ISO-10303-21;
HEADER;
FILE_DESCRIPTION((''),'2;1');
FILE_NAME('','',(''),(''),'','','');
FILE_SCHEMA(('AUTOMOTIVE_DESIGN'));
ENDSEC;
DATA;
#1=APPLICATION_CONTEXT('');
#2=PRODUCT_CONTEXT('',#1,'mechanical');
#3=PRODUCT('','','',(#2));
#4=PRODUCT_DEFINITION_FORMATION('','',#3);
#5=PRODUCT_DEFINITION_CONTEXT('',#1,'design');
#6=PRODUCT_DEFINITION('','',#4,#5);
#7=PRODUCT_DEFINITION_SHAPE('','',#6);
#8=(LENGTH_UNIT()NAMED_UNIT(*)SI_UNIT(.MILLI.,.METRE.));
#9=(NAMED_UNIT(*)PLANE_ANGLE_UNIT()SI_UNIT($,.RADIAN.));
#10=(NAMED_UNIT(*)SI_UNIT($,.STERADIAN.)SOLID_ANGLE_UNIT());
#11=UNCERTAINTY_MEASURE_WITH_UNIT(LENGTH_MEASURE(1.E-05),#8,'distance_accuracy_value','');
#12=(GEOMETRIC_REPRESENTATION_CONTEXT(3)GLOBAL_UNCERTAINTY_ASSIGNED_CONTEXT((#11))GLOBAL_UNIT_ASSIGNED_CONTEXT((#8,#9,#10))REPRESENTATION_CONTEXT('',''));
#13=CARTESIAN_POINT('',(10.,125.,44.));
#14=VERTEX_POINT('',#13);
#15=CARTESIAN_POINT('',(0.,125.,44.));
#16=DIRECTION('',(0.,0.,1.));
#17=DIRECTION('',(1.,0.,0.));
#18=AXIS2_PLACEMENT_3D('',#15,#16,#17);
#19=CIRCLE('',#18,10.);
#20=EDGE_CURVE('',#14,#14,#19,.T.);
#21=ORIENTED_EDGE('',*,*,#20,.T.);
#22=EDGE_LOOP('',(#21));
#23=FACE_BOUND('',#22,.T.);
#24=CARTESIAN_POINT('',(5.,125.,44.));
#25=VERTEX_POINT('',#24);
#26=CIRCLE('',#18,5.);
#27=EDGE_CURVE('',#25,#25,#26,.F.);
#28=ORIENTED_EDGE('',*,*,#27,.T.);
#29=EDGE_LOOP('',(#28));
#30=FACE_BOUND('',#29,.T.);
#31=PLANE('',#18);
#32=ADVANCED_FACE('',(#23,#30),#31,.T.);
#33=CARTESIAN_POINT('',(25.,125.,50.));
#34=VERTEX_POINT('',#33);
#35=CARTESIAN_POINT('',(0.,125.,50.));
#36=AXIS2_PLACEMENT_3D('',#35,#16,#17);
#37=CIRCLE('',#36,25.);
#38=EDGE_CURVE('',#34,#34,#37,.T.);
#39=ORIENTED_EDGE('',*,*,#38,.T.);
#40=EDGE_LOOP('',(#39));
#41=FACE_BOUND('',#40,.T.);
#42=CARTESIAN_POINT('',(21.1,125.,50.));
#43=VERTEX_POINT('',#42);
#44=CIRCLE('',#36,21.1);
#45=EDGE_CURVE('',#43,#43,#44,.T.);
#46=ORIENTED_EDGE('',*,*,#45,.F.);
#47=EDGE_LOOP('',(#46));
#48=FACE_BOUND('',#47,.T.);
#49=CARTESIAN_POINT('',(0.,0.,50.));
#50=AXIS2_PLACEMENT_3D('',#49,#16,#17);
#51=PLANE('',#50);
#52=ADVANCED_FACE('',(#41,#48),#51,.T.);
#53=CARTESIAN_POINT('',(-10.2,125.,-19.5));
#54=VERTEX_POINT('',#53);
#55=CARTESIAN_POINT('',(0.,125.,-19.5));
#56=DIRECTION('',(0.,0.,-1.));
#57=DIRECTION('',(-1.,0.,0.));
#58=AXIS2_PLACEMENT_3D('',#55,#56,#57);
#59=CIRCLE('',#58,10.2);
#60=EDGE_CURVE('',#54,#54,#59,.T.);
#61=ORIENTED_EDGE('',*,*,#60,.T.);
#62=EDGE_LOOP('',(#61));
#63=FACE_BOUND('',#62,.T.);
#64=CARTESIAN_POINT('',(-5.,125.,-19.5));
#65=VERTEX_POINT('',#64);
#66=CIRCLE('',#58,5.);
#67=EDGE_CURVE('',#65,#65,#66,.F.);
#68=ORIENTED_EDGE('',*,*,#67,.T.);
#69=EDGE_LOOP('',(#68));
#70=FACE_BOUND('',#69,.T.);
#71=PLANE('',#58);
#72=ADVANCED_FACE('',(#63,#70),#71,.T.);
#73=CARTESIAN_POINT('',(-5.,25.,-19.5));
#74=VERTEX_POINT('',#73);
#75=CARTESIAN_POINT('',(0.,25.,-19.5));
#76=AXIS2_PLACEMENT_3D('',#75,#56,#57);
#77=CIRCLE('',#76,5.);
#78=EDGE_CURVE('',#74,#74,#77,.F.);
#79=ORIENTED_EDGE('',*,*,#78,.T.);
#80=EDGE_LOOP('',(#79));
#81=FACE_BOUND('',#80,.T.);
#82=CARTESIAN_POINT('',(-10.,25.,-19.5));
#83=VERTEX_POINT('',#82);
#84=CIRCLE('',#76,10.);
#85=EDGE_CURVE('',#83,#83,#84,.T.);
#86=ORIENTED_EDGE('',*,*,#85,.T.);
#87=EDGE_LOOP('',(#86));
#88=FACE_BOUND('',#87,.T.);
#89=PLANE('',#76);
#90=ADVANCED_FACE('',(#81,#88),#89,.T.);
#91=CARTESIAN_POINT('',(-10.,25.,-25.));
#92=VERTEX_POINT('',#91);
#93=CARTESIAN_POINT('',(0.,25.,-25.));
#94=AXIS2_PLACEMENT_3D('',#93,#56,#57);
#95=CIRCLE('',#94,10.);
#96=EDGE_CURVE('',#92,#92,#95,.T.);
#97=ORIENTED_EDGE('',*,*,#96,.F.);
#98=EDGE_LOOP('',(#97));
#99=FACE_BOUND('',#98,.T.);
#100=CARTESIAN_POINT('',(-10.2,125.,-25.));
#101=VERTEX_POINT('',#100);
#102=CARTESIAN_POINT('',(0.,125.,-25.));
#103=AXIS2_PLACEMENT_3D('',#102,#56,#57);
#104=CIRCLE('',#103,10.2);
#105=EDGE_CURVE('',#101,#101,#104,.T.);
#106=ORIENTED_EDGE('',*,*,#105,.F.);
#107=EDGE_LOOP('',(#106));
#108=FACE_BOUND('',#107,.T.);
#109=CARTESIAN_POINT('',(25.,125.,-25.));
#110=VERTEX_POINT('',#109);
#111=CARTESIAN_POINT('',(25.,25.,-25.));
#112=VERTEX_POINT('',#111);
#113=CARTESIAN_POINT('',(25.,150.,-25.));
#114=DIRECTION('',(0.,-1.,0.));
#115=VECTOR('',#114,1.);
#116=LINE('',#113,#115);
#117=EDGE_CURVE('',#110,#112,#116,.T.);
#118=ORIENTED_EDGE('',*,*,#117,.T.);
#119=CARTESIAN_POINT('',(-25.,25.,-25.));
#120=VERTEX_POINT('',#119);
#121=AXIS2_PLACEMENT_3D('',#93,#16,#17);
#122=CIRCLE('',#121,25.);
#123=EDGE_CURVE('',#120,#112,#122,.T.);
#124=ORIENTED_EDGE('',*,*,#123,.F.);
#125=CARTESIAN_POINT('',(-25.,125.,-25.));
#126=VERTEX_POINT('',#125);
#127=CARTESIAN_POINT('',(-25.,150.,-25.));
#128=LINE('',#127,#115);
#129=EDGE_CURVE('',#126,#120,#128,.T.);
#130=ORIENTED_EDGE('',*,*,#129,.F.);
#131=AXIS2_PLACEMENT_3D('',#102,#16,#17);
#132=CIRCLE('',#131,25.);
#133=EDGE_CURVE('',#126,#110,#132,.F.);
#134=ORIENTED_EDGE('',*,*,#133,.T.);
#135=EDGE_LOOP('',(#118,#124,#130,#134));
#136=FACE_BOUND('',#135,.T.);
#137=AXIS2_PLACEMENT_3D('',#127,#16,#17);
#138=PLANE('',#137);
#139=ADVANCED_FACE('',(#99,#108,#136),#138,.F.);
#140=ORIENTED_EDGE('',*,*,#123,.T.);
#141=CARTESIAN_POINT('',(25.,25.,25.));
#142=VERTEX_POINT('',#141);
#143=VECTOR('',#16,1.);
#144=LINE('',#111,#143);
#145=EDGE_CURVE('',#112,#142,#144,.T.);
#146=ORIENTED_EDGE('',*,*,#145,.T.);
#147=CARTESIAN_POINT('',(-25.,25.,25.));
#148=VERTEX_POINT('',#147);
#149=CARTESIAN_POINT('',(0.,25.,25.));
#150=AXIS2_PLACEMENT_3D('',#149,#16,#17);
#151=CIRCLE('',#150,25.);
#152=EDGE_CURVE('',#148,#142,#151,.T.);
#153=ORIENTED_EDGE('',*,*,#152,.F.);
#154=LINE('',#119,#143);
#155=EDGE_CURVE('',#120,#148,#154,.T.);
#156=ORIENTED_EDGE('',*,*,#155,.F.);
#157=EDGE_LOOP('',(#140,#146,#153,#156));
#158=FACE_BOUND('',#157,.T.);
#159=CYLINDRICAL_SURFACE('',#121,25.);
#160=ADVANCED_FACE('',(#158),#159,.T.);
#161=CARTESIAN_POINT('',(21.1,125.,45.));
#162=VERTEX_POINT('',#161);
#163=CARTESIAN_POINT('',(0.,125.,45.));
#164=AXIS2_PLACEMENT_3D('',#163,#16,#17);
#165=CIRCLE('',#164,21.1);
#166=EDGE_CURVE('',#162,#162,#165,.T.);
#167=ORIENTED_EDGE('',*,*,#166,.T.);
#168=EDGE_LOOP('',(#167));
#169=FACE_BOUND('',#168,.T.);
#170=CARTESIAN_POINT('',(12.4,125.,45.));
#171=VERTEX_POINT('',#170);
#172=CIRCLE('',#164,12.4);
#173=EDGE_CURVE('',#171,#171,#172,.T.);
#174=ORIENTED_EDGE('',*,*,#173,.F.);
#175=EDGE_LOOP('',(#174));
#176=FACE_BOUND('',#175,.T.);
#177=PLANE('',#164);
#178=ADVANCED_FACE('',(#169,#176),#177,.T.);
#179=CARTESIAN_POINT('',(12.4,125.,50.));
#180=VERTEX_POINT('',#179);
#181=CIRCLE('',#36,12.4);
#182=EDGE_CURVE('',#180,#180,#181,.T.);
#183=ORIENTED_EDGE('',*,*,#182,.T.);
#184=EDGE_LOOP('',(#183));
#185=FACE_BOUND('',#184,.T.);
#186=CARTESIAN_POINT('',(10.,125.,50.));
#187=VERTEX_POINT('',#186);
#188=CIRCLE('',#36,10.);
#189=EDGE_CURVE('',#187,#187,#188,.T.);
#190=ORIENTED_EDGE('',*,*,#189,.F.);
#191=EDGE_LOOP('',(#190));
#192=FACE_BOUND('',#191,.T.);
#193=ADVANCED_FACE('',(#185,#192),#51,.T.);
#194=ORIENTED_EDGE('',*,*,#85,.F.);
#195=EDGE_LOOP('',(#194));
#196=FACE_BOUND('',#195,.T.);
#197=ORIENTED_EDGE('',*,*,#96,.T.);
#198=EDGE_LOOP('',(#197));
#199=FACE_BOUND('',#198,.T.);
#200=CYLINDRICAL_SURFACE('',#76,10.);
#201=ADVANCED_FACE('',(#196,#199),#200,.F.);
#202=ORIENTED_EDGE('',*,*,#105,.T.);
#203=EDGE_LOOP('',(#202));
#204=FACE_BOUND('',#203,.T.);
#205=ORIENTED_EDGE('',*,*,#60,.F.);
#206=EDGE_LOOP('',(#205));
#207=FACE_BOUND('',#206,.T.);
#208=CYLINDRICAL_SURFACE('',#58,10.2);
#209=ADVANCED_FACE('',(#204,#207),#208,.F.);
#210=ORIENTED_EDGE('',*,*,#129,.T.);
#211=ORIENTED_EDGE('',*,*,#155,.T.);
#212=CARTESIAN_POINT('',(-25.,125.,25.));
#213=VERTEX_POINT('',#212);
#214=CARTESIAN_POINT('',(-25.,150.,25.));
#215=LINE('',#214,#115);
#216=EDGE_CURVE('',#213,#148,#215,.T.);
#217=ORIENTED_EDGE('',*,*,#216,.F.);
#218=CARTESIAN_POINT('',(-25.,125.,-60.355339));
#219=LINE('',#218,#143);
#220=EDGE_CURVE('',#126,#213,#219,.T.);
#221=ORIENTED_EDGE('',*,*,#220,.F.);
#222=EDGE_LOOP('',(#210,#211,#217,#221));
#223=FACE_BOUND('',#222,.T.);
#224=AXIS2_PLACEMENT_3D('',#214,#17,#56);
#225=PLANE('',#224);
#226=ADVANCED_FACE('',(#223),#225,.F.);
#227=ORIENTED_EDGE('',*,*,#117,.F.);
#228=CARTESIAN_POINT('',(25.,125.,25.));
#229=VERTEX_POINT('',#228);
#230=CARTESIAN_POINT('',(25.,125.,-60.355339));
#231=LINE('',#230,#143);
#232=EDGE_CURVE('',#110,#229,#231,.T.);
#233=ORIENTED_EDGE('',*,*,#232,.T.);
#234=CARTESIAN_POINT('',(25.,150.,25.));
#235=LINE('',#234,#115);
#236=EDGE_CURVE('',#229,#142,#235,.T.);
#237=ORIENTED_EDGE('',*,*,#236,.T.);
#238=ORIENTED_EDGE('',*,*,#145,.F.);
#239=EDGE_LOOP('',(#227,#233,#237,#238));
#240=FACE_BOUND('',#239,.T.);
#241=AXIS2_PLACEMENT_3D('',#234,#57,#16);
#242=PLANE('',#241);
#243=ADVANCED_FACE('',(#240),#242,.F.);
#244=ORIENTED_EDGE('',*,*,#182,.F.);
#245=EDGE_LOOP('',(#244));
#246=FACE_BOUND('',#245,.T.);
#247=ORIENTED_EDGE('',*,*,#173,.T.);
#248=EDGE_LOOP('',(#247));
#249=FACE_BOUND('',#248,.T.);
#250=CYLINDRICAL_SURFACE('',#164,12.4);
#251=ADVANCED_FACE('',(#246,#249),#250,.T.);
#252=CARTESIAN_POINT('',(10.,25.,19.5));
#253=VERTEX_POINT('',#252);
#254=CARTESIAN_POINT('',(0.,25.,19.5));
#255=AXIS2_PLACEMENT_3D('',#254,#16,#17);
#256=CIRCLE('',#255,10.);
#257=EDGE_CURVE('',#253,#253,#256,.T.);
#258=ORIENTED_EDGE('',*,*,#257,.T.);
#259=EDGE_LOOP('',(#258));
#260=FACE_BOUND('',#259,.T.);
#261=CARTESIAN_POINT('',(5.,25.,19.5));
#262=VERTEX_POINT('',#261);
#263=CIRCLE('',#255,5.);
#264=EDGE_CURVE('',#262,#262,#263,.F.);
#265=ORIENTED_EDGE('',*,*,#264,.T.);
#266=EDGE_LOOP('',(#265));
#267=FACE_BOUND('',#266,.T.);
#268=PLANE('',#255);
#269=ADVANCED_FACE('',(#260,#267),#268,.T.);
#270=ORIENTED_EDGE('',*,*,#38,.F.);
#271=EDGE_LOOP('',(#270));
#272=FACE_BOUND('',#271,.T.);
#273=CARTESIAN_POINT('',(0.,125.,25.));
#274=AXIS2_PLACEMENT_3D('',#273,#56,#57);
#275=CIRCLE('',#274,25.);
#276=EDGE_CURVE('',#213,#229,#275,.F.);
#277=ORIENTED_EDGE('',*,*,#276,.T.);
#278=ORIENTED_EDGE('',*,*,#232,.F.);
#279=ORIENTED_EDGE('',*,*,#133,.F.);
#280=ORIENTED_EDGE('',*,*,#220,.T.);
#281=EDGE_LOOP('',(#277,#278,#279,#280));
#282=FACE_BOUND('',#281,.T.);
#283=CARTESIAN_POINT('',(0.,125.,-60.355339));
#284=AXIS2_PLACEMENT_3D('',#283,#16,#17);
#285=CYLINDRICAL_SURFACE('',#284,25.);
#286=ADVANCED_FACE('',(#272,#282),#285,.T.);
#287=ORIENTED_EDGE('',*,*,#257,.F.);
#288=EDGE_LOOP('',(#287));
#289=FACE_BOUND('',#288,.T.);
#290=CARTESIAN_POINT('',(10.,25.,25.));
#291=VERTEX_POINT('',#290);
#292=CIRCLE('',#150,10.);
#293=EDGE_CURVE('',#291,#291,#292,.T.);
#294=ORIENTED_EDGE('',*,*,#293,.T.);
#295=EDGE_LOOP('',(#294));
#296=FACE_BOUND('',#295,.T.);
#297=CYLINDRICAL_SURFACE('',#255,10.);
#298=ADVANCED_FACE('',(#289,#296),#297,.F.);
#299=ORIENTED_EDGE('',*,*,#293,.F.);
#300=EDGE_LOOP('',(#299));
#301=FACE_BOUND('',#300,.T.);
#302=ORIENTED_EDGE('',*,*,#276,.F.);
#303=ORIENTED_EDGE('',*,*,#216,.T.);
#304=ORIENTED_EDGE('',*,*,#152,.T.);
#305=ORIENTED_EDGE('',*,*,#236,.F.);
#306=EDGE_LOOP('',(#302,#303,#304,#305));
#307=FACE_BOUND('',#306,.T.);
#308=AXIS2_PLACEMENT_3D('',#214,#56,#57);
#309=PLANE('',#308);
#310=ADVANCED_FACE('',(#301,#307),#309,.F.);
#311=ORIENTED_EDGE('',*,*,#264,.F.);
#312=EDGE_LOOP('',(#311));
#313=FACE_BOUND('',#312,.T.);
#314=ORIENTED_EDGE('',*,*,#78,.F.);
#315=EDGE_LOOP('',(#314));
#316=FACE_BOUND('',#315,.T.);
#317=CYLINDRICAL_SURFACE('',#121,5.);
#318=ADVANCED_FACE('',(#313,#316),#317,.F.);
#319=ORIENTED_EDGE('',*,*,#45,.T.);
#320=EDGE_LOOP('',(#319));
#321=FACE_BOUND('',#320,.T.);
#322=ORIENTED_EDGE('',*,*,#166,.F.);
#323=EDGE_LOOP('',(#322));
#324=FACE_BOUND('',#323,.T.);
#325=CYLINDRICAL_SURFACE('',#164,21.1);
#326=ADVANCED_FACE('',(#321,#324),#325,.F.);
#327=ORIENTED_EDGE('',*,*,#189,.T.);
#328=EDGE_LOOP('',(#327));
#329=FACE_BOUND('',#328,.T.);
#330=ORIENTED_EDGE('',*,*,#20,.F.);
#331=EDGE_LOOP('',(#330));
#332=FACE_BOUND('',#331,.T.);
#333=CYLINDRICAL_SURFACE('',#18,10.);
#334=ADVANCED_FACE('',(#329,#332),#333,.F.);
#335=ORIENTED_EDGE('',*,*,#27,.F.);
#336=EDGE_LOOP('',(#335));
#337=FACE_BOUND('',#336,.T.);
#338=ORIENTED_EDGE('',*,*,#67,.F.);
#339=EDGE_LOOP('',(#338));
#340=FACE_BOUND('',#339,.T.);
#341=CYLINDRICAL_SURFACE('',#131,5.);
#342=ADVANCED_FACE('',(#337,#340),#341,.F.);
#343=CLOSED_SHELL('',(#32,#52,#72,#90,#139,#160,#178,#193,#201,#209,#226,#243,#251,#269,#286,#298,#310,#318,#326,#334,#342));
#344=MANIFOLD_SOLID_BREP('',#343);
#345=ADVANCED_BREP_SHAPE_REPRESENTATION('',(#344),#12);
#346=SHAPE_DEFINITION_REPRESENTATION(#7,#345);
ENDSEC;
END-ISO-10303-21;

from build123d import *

# Parameters (mm, degrees)
SKIZZE4_W                       = 50
SKIZZE4_H                       = 50
AUFSATZ_LINEAR_AUSTRAGEN1_DEPTH = 150
SKIZZE5_W                       = 50
SKIZZE5_H                       = 50
AUFSATZ_LINEAR_AUSTRAGEN2_DEPTH = 25
SKIZZE6_R                       = 5
SCHNITT_LINEAR_AUSTRAGEN1_DEPTH = 75
SKIZZE8_R                       = 5
SCHNITT_LINEAR_AUSTRAGEN2_DEPTH = 50
SCHNITT_LINEAR_AUSTRAGEN3_DEPTH = 75
SCHNITT_LINEAR_AUSTRAGEN4_DEPTH = 25
SKIZZE11_R                      = 21.1
SKIZZE11_R_2                    = 12.4
SCHNITT_LINEAR_AUSTRAGEN5_DEPTH = 5
SKIZZE12_R                      = 10.2
SKIZZE12_R_2                    = 10
SCHNITT_LINEAR_AUSTRAGEN6_DEPTH = 5.5
SKIZZE13_R                      = 10
SCHNITT_LINEAR_AUSTRAGEN7_DEPTH = 6
SCHNITT_LINEAR_START            = -5.5
SKIZZE14_R                      = 10
SCHNITT_LINEAR_AUSTRAGEN8_DEPTH = 5.5


with BuildPart() as part:
    # Skizze4 → Aufsatz-Linear austragen1 (new body)
    with BuildSketch(Plane(origin=(0, 0, 0), x_dir=(1, 0, 0), z_dir=(0, 1, 0))):
        Rectangle(SKIZZE4_W, SKIZZE4_H)
    extrude(amount=AUFSATZ_LINEAR_AUSTRAGEN1_DEPTH)

    # Skizze5 → Aufsatz-Linear austragen2 (add)
    with BuildSketch(Plane.XY.offset(25)):
        with Locations((0, 125)):
            Rectangle(SKIZZE5_W, SKIZZE5_H)
    extrude(amount=AUFSATZ_LINEAR_AUSTRAGEN2_DEPTH)

    # Skizze6 → Schnitt-Linear austragen1 (cut)
    with BuildSketch(Plane.XY.offset(50)):
        with Locations((0, 125)):
            Circle(SKIZZE6_R)
    extrude(amount=-SCHNITT_LINEAR_AUSTRAGEN1_DEPTH, mode=Mode.SUBTRACT)

    # Skizze8 → Schnitt-Linear austragen2 (cut)
    with BuildSketch(Plane.XY.offset(25)):
        with BuildLine():
            ThreePointArc((0, 0), (-17.67766953, 7.32233047), (-25, 25))
            Line((-25, 25), (-25, 0))
            Line((-25, 0), (0, 0))
        make_face()
        with BuildLine():
            ThreePointArc((25, 25), (17.67766953, 7.32233047), (0, 0))
            Line((0, 0), (25, 0))
            Line((25, 0), (25, 25))
        make_face()
        with Locations((0, 25)):
            Circle(SKIZZE8_R)
    extrude(amount=-SCHNITT_LINEAR_AUSTRAGEN2_DEPTH, mode=Mode.SUBTRACT)

    # Skizze9 → Schnitt-Linear austragen3 (cut)
    with BuildSketch(Plane.XY.offset(50)):
        with BuildLine():
            Line((0, 150), (-25, 150))
            Line((-25, 150), (-25, 125))
            ThreePointArc((-25, 125), (-17.67766953, 142.67766953), (0, 150))
        make_face()
        with BuildLine():
            Line((25, 150), (0, 150))
            ThreePointArc((0, 150), (17.67766953, 142.67766953), (25, 125))
            Line((25, 125), (25, 150))
        make_face()
    extrude(amount=-SCHNITT_LINEAR_AUSTRAGEN3_DEPTH, mode=Mode.SUBTRACT)

    # Skizze10 → Schnitt-Linear austragen4 (cut)
    with BuildSketch(Plane.XY.offset(50)):
        with BuildLine():
            ThreePointArc((0, 100), (-17.67766953, 107.32233047), (-25, 125))
            Line((-25, 125), (-25, 100))
            Line((-25, 100), (0, 100))
        make_face()
        with BuildLine():
            Line((25, 100), (25, 125))
            ThreePointArc((25, 125), (17.67766953, 107.32233047), (0, 100))
            Line((0, 100), (25, 100))
        make_face()
    extrude(amount=-SCHNITT_LINEAR_AUSTRAGEN4_DEPTH, mode=Mode.SUBTRACT)

    # Skizze11 → Schnitt-Linear austragen5 (cut)
    with BuildSketch(Plane.XY.offset(50)):
        with Locations((0, 125)):
            Circle(SKIZZE11_R)
        with Locations((0, 125)):
            Circle(SKIZZE11_R_2, mode=Mode.SUBTRACT)
    extrude(amount=-SCHNITT_LINEAR_AUSTRAGEN5_DEPTH, mode=Mode.SUBTRACT)

    # Skizze12 → Schnitt-Linear austragen6 (cut)
    with BuildSketch(Plane(origin=(0, 0, -25), x_dir=(-1, 0, 0), z_dir=(0, 0, -1))):
        with Locations((0, 125)):
            Circle(SKIZZE12_R)
        with Locations((0, 25)):
            Circle(SKIZZE12_R_2)
    extrude(amount=-SCHNITT_LINEAR_AUSTRAGEN6_DEPTH, mode=Mode.SUBTRACT)

    # Skizze13 → Schnitt-Linear austragen7 (cut)
    with BuildSketch(Plane.XY.offset(50)):
        with Locations((0, 125)):
            Circle(SKIZZE13_R)
    extrude(amount=-SCHNITT_LINEAR_AUSTRAGEN7_DEPTH, mode=Mode.SUBTRACT)

    # Skizze14 → Schnitt-Linear austragen8 (cut)
    with BuildSketch(Plane.XY.offset(25).offset(SCHNITT_LINEAR_START)):
        with Locations(Location((0, 25, 0), (0, 0, 180))):
            Circle(SKIZZE14_R)
    extrude(amount=SCHNITT_LINEAR_AUSTRAGEN8_DEPTH, mode=Mode.SUBTRACT)


solid = part.part
